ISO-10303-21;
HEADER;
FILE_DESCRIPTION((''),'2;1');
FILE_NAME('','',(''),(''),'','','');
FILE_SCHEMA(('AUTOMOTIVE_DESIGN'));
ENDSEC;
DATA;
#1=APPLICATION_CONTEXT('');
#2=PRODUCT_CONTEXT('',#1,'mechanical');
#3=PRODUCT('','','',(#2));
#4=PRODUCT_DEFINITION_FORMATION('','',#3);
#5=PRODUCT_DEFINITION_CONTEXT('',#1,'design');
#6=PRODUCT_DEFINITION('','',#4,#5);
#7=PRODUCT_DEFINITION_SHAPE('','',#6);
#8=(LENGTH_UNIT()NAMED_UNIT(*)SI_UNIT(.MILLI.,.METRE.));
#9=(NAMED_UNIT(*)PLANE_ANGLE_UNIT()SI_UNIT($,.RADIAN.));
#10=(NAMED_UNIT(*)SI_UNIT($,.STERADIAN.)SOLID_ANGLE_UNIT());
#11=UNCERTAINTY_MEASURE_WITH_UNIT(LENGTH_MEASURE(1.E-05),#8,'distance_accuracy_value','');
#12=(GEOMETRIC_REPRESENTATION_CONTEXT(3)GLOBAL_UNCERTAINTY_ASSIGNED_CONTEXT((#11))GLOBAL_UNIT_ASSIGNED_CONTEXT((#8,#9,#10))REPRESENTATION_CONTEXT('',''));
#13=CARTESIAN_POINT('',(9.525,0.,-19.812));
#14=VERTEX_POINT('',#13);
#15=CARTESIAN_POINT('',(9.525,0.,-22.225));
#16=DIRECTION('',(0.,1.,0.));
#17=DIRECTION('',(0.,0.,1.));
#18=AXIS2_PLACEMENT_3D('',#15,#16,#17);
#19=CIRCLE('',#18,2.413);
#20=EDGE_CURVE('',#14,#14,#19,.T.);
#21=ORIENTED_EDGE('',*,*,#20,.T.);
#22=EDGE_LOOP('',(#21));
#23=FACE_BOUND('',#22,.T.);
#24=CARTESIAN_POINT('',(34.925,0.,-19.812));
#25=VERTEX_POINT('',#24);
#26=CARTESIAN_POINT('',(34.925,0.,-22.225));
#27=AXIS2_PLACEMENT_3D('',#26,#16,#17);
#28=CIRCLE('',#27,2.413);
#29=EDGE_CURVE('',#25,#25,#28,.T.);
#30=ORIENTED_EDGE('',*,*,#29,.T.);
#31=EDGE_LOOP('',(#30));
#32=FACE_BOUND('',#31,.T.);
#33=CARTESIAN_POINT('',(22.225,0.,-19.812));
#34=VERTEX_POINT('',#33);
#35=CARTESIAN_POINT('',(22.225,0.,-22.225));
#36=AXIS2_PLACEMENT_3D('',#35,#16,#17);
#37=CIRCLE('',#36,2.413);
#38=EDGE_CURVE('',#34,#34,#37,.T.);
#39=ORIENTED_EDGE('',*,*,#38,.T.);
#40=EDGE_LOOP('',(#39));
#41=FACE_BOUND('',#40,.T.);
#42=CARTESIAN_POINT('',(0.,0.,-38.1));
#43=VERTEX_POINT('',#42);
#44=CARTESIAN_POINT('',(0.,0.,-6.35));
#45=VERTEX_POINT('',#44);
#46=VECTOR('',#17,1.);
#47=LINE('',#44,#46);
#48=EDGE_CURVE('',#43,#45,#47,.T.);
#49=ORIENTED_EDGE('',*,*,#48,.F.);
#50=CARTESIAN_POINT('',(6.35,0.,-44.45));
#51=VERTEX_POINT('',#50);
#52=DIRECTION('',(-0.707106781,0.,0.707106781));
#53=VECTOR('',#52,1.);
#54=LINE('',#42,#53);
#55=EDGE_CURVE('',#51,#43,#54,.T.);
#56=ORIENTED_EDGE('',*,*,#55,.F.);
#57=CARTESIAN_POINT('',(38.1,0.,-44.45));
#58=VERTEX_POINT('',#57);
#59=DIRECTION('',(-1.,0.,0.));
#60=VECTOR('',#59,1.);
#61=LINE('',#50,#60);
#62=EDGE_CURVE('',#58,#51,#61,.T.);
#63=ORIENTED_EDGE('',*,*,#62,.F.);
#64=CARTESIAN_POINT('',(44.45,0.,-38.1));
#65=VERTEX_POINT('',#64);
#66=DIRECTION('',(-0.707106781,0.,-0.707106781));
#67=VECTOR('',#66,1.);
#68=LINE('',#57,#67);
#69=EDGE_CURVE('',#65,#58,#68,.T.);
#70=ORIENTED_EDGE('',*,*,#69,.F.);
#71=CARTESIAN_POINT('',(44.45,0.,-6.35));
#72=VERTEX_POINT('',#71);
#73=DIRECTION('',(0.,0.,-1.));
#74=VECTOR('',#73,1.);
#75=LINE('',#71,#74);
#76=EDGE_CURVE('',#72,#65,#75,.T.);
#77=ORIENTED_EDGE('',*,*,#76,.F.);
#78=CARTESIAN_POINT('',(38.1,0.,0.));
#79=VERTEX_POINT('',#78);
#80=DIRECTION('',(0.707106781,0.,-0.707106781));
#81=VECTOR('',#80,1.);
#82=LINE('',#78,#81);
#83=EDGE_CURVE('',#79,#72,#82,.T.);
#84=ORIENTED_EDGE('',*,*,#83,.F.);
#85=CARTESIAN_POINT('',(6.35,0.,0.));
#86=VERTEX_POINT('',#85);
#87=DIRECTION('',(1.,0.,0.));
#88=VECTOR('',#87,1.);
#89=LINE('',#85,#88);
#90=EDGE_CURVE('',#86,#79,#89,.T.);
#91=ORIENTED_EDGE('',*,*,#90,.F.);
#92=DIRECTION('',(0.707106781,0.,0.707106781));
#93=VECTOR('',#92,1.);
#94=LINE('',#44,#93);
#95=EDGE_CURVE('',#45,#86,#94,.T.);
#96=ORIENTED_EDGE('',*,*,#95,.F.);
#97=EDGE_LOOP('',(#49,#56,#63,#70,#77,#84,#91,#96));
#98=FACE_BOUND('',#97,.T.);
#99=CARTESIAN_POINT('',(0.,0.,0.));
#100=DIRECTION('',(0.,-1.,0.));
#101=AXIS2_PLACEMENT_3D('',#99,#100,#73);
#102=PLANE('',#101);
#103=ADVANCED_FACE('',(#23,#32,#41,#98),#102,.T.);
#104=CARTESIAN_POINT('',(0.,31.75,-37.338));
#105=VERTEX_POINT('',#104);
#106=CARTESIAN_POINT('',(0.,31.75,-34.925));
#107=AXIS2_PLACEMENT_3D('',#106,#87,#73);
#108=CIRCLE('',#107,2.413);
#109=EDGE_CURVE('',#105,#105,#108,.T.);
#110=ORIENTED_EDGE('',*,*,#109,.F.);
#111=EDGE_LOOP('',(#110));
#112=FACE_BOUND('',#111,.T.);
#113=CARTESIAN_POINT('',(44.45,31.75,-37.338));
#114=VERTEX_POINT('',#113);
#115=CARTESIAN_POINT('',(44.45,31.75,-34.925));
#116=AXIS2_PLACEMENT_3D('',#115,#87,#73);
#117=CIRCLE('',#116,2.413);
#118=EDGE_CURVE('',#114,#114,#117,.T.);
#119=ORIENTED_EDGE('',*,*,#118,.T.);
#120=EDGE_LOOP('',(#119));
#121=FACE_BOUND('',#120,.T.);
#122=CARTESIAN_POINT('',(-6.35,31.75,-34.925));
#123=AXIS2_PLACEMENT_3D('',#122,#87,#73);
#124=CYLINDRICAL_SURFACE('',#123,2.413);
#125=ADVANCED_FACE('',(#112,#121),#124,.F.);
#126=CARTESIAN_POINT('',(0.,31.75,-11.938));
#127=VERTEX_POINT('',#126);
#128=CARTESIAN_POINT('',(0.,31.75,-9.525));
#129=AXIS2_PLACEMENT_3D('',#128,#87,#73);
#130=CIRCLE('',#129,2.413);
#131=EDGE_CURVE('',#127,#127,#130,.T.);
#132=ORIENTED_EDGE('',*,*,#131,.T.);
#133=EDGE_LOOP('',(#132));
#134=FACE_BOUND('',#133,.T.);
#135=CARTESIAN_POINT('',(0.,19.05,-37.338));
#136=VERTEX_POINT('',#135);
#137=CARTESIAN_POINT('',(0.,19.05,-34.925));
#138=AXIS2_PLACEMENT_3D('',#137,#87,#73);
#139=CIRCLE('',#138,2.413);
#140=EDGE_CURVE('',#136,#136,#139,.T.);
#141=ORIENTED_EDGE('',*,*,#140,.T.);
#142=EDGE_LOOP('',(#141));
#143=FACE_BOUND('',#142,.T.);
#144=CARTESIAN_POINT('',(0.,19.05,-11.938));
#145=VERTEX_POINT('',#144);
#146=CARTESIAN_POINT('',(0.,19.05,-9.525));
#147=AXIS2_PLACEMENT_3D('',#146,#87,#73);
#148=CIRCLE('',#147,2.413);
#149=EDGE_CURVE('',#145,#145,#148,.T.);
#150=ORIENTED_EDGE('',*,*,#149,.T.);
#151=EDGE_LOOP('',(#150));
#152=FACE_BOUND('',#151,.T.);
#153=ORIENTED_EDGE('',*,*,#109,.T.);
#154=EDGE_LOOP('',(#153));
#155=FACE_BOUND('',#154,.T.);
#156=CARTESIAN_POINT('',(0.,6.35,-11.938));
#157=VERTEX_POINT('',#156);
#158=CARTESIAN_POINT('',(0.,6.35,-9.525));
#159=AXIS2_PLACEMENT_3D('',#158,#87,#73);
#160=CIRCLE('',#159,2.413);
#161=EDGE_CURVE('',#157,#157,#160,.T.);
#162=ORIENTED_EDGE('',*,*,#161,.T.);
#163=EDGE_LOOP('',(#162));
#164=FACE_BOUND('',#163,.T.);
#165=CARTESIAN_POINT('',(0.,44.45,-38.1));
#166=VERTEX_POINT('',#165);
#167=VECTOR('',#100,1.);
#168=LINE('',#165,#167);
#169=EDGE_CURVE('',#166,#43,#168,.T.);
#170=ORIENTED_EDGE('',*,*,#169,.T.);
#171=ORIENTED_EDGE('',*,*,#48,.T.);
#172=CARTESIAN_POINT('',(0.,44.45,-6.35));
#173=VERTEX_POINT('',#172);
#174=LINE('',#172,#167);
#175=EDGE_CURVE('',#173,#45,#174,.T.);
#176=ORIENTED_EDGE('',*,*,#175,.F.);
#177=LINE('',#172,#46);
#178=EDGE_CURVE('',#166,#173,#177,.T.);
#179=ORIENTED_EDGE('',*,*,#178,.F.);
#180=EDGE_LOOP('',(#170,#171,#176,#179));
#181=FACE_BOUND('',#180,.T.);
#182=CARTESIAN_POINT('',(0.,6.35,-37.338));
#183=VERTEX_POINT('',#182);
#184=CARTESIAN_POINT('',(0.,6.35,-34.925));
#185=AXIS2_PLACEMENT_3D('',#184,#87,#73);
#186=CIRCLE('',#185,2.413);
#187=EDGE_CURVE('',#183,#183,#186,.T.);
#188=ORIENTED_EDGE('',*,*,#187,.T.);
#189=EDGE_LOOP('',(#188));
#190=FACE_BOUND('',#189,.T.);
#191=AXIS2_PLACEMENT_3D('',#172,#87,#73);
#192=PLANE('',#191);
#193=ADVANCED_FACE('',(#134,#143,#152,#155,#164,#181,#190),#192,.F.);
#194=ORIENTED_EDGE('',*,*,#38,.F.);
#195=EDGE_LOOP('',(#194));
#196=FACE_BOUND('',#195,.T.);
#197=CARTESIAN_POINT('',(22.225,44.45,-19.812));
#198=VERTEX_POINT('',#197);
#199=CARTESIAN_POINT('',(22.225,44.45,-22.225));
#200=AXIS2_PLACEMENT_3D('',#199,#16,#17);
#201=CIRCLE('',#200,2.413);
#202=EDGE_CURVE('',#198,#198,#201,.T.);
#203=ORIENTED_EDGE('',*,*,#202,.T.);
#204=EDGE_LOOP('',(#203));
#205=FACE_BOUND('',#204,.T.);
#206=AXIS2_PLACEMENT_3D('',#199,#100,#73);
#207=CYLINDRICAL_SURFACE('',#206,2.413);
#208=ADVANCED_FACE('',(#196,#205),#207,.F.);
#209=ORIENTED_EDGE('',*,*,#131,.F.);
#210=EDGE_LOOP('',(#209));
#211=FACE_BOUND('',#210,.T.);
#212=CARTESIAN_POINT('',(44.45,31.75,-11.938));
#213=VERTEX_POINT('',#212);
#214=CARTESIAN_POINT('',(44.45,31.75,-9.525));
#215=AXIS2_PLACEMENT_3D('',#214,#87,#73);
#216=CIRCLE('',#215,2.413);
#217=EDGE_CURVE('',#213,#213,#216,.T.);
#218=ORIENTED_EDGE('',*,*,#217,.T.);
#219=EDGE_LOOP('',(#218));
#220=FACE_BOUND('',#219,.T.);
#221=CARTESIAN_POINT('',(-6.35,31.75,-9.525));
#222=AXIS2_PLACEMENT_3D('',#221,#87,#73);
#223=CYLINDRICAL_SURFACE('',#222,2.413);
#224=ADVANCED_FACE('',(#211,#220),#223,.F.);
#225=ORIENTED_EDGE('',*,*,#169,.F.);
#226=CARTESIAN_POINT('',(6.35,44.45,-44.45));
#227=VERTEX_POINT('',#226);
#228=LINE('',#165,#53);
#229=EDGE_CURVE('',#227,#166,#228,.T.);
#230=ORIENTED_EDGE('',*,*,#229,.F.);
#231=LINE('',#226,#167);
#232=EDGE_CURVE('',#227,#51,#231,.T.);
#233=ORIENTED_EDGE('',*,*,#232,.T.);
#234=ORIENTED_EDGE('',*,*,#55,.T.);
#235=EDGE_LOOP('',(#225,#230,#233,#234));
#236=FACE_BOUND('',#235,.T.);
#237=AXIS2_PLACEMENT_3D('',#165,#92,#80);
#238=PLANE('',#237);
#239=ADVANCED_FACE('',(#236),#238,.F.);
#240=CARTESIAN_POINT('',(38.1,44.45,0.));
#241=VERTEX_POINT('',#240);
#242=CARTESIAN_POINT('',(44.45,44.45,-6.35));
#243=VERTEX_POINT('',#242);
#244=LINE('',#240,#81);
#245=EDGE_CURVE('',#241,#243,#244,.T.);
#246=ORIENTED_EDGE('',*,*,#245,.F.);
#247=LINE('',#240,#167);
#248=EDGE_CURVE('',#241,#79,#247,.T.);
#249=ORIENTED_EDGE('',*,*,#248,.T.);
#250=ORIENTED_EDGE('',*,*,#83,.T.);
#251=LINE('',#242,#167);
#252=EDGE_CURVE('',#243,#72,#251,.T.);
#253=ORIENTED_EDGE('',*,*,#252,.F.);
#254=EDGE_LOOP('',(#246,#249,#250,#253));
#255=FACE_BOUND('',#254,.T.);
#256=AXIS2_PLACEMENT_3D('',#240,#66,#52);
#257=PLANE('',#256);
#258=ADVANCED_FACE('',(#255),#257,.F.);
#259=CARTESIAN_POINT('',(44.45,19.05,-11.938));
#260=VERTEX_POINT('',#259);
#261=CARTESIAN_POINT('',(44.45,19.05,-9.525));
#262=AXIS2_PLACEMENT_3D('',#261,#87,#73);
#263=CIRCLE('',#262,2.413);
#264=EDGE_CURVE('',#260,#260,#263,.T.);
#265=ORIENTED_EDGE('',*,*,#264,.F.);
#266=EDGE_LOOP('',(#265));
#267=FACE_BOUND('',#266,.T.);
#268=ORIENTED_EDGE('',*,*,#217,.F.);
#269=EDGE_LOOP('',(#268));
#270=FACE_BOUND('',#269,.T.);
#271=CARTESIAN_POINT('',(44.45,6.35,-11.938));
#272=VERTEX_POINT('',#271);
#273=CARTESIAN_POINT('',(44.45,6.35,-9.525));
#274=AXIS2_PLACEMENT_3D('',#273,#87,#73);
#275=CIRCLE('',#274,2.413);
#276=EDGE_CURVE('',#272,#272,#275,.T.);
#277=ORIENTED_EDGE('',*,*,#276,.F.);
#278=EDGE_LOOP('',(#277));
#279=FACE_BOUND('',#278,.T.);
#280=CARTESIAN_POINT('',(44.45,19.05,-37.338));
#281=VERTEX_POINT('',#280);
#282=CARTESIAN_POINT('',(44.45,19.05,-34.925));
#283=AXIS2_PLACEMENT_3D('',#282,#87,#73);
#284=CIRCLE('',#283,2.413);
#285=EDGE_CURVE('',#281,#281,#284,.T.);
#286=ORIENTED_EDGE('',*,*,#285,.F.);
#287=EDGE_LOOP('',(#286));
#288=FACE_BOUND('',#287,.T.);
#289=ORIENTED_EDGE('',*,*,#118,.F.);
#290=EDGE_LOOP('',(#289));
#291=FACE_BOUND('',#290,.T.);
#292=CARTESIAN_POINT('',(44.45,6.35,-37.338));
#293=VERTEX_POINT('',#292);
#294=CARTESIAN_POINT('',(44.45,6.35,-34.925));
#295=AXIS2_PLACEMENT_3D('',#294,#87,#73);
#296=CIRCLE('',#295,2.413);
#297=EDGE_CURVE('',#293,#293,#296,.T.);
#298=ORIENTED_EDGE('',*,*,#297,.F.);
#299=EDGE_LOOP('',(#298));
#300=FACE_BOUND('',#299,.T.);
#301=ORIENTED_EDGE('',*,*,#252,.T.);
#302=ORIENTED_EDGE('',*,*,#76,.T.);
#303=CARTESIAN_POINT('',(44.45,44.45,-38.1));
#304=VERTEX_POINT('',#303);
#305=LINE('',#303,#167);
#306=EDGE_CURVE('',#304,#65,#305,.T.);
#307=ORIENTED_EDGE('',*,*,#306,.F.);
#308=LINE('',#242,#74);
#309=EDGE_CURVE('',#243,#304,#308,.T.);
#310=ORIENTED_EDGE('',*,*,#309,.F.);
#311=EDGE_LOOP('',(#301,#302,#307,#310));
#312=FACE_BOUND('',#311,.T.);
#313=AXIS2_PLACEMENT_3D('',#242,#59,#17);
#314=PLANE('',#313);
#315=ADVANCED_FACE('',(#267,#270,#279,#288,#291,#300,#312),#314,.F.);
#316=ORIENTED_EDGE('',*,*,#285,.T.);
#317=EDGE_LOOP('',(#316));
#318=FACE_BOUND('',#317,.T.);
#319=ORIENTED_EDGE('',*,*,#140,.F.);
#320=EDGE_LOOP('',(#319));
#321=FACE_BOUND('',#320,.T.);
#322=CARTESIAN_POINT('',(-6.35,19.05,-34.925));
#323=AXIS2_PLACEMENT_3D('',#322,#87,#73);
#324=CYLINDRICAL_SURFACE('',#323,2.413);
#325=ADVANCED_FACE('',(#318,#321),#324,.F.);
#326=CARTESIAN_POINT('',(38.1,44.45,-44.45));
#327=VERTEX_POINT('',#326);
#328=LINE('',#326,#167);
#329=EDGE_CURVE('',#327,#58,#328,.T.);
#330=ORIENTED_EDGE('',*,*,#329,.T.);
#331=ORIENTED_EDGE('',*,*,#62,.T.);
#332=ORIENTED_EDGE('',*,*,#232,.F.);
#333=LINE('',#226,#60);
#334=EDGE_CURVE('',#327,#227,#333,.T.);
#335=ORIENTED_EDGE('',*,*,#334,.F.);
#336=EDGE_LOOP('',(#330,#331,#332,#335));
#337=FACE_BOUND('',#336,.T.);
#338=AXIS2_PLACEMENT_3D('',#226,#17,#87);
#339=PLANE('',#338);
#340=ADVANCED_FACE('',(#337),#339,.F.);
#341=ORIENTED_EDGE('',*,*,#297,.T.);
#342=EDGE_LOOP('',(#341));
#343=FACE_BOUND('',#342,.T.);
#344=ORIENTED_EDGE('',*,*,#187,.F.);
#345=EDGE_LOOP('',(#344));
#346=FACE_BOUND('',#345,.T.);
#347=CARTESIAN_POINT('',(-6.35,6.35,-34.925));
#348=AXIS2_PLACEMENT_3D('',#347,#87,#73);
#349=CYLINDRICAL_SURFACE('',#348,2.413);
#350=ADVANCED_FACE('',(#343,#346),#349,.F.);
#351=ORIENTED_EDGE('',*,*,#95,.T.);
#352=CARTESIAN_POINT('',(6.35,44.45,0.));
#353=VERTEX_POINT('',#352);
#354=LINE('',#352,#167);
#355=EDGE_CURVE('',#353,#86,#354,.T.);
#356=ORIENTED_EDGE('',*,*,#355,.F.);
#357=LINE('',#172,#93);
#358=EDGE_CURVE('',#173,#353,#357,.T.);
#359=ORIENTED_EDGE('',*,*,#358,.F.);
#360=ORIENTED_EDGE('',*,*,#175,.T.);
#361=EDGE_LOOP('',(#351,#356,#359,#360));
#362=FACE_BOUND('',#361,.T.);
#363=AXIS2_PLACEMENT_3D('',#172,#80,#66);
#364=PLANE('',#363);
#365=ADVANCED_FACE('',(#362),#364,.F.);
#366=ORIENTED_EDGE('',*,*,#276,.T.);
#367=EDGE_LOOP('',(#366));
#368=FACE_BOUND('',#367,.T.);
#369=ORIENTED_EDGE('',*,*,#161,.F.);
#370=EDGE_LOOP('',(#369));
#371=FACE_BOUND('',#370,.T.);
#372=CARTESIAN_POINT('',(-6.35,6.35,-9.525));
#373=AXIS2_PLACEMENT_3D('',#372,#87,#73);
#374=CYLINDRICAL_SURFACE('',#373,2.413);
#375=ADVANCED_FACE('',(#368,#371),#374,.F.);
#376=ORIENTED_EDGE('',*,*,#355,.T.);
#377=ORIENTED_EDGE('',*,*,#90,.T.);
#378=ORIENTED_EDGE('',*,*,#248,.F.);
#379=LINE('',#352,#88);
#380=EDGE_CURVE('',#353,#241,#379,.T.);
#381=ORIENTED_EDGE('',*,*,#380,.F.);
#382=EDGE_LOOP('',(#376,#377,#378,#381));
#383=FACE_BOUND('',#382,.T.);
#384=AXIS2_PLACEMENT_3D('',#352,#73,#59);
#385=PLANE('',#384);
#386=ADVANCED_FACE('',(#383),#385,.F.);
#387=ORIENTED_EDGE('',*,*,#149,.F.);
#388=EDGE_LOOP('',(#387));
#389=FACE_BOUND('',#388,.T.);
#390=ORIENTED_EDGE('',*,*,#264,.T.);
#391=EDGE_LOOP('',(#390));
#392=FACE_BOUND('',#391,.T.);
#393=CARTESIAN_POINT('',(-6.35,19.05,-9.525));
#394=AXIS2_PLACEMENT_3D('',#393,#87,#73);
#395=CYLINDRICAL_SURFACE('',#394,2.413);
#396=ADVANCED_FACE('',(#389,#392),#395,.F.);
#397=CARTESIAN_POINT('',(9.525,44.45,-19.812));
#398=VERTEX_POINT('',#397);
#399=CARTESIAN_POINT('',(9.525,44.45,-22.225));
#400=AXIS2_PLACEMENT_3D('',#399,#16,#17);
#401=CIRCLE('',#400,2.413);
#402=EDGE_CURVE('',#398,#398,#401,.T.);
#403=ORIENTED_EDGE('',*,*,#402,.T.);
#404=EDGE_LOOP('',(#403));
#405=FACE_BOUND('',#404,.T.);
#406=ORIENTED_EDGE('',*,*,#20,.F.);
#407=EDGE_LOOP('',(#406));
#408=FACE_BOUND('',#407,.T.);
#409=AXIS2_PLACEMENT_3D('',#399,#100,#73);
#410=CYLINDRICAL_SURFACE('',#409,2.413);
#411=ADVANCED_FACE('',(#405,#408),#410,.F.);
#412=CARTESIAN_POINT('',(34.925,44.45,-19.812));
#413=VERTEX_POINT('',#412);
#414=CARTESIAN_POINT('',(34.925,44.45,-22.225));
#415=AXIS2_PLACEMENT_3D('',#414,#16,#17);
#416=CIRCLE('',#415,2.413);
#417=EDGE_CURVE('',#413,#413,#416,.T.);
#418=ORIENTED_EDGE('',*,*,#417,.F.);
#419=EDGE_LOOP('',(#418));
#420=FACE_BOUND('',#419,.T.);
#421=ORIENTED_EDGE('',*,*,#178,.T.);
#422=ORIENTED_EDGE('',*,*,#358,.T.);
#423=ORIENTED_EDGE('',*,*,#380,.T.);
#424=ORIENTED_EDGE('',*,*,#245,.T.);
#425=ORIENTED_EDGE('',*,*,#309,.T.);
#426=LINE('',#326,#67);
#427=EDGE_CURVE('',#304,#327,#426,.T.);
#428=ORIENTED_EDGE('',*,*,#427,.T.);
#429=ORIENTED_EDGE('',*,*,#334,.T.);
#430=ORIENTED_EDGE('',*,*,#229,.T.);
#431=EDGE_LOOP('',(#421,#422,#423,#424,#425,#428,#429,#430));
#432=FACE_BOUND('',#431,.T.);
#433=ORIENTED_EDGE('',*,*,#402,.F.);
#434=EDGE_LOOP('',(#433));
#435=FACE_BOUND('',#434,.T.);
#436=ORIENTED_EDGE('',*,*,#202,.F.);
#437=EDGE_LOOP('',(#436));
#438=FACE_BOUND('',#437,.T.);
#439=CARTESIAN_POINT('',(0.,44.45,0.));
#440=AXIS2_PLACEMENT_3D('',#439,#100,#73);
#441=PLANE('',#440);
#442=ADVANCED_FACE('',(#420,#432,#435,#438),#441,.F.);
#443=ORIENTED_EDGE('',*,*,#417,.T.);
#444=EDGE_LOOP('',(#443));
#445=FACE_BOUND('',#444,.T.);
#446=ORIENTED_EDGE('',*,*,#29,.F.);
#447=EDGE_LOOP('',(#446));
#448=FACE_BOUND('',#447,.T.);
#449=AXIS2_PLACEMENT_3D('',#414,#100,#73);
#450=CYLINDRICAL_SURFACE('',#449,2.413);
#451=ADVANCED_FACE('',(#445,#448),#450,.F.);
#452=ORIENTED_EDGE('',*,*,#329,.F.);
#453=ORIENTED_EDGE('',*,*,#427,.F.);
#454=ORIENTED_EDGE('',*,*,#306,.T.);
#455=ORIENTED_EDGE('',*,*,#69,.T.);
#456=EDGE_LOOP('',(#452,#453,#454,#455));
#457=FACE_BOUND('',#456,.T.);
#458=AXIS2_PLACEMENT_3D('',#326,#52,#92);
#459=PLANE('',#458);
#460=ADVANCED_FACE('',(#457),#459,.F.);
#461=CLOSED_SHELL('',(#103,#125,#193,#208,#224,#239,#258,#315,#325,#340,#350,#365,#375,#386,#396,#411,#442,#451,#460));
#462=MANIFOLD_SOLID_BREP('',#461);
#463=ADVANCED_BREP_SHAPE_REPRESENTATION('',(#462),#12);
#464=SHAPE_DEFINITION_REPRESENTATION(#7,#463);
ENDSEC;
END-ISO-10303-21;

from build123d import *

# Parameters (mm, degrees)
SKETCH1_R           = 2.413
BOSS_EXTRUDE1_DEPTH = 44.45
SKETCH2_R           = 2.413
CUT_EXTRUDE1_DEPTH  = 50.8


with BuildPart() as part:
    # Sketch1 → Boss-Extrude1 (new body)
    with BuildSketch(Plane(origin=(0, 0, 0), x_dir=(1, 0, 0), z_dir=(0, 1, 0))):
        Polygon((0, 38.1), (6.35, 44.45), (38.1, 44.45), (44.45, 38.1), (44.45, 6.35), (38.1, 0), (6.35, 0), (0, 6.35), align=None)
        with Locations((9.525, 22.225)):
            Circle(SKETCH1_R, mode=Mode.SUBTRACT)
        with Locations((22.225, 22.225)):
            Circle(SKETCH1_R, mode=Mode.SUBTRACT)
        with Locations((34.925, 22.225)):
            Circle(SKETCH1_R, mode=Mode.SUBTRACT)
    extrude(amount=BOSS_EXTRUDE1_DEPTH)

    # Sketch2 → Cut-Extrude1 (cut)
    with BuildSketch(Plane(origin=(44.45, 0, 0), x_dir=(0, 0, -1), z_dir=(1, 0, 0))):
        with Locations((9.525, 31.75)):
            Circle(SKETCH2_R)
        with Locations((34.925, 31.75)):
            Circle(SKETCH2_R)
        with Locations((34.925, 6.35)):
            Circle(SKETCH2_R)
        with Locations((9.525, 6.35)):
            Circle(SKETCH2_R)
        with Locations((9.525, 19.05)):
            Circle(SKETCH2_R)
        with Locations((34.925, 19.05)):
            Circle(SKETCH2_R)
    extrude(amount=-CUT_EXTRUDE1_DEPTH, mode=Mode.SUBTRACT)


solid = part.part
